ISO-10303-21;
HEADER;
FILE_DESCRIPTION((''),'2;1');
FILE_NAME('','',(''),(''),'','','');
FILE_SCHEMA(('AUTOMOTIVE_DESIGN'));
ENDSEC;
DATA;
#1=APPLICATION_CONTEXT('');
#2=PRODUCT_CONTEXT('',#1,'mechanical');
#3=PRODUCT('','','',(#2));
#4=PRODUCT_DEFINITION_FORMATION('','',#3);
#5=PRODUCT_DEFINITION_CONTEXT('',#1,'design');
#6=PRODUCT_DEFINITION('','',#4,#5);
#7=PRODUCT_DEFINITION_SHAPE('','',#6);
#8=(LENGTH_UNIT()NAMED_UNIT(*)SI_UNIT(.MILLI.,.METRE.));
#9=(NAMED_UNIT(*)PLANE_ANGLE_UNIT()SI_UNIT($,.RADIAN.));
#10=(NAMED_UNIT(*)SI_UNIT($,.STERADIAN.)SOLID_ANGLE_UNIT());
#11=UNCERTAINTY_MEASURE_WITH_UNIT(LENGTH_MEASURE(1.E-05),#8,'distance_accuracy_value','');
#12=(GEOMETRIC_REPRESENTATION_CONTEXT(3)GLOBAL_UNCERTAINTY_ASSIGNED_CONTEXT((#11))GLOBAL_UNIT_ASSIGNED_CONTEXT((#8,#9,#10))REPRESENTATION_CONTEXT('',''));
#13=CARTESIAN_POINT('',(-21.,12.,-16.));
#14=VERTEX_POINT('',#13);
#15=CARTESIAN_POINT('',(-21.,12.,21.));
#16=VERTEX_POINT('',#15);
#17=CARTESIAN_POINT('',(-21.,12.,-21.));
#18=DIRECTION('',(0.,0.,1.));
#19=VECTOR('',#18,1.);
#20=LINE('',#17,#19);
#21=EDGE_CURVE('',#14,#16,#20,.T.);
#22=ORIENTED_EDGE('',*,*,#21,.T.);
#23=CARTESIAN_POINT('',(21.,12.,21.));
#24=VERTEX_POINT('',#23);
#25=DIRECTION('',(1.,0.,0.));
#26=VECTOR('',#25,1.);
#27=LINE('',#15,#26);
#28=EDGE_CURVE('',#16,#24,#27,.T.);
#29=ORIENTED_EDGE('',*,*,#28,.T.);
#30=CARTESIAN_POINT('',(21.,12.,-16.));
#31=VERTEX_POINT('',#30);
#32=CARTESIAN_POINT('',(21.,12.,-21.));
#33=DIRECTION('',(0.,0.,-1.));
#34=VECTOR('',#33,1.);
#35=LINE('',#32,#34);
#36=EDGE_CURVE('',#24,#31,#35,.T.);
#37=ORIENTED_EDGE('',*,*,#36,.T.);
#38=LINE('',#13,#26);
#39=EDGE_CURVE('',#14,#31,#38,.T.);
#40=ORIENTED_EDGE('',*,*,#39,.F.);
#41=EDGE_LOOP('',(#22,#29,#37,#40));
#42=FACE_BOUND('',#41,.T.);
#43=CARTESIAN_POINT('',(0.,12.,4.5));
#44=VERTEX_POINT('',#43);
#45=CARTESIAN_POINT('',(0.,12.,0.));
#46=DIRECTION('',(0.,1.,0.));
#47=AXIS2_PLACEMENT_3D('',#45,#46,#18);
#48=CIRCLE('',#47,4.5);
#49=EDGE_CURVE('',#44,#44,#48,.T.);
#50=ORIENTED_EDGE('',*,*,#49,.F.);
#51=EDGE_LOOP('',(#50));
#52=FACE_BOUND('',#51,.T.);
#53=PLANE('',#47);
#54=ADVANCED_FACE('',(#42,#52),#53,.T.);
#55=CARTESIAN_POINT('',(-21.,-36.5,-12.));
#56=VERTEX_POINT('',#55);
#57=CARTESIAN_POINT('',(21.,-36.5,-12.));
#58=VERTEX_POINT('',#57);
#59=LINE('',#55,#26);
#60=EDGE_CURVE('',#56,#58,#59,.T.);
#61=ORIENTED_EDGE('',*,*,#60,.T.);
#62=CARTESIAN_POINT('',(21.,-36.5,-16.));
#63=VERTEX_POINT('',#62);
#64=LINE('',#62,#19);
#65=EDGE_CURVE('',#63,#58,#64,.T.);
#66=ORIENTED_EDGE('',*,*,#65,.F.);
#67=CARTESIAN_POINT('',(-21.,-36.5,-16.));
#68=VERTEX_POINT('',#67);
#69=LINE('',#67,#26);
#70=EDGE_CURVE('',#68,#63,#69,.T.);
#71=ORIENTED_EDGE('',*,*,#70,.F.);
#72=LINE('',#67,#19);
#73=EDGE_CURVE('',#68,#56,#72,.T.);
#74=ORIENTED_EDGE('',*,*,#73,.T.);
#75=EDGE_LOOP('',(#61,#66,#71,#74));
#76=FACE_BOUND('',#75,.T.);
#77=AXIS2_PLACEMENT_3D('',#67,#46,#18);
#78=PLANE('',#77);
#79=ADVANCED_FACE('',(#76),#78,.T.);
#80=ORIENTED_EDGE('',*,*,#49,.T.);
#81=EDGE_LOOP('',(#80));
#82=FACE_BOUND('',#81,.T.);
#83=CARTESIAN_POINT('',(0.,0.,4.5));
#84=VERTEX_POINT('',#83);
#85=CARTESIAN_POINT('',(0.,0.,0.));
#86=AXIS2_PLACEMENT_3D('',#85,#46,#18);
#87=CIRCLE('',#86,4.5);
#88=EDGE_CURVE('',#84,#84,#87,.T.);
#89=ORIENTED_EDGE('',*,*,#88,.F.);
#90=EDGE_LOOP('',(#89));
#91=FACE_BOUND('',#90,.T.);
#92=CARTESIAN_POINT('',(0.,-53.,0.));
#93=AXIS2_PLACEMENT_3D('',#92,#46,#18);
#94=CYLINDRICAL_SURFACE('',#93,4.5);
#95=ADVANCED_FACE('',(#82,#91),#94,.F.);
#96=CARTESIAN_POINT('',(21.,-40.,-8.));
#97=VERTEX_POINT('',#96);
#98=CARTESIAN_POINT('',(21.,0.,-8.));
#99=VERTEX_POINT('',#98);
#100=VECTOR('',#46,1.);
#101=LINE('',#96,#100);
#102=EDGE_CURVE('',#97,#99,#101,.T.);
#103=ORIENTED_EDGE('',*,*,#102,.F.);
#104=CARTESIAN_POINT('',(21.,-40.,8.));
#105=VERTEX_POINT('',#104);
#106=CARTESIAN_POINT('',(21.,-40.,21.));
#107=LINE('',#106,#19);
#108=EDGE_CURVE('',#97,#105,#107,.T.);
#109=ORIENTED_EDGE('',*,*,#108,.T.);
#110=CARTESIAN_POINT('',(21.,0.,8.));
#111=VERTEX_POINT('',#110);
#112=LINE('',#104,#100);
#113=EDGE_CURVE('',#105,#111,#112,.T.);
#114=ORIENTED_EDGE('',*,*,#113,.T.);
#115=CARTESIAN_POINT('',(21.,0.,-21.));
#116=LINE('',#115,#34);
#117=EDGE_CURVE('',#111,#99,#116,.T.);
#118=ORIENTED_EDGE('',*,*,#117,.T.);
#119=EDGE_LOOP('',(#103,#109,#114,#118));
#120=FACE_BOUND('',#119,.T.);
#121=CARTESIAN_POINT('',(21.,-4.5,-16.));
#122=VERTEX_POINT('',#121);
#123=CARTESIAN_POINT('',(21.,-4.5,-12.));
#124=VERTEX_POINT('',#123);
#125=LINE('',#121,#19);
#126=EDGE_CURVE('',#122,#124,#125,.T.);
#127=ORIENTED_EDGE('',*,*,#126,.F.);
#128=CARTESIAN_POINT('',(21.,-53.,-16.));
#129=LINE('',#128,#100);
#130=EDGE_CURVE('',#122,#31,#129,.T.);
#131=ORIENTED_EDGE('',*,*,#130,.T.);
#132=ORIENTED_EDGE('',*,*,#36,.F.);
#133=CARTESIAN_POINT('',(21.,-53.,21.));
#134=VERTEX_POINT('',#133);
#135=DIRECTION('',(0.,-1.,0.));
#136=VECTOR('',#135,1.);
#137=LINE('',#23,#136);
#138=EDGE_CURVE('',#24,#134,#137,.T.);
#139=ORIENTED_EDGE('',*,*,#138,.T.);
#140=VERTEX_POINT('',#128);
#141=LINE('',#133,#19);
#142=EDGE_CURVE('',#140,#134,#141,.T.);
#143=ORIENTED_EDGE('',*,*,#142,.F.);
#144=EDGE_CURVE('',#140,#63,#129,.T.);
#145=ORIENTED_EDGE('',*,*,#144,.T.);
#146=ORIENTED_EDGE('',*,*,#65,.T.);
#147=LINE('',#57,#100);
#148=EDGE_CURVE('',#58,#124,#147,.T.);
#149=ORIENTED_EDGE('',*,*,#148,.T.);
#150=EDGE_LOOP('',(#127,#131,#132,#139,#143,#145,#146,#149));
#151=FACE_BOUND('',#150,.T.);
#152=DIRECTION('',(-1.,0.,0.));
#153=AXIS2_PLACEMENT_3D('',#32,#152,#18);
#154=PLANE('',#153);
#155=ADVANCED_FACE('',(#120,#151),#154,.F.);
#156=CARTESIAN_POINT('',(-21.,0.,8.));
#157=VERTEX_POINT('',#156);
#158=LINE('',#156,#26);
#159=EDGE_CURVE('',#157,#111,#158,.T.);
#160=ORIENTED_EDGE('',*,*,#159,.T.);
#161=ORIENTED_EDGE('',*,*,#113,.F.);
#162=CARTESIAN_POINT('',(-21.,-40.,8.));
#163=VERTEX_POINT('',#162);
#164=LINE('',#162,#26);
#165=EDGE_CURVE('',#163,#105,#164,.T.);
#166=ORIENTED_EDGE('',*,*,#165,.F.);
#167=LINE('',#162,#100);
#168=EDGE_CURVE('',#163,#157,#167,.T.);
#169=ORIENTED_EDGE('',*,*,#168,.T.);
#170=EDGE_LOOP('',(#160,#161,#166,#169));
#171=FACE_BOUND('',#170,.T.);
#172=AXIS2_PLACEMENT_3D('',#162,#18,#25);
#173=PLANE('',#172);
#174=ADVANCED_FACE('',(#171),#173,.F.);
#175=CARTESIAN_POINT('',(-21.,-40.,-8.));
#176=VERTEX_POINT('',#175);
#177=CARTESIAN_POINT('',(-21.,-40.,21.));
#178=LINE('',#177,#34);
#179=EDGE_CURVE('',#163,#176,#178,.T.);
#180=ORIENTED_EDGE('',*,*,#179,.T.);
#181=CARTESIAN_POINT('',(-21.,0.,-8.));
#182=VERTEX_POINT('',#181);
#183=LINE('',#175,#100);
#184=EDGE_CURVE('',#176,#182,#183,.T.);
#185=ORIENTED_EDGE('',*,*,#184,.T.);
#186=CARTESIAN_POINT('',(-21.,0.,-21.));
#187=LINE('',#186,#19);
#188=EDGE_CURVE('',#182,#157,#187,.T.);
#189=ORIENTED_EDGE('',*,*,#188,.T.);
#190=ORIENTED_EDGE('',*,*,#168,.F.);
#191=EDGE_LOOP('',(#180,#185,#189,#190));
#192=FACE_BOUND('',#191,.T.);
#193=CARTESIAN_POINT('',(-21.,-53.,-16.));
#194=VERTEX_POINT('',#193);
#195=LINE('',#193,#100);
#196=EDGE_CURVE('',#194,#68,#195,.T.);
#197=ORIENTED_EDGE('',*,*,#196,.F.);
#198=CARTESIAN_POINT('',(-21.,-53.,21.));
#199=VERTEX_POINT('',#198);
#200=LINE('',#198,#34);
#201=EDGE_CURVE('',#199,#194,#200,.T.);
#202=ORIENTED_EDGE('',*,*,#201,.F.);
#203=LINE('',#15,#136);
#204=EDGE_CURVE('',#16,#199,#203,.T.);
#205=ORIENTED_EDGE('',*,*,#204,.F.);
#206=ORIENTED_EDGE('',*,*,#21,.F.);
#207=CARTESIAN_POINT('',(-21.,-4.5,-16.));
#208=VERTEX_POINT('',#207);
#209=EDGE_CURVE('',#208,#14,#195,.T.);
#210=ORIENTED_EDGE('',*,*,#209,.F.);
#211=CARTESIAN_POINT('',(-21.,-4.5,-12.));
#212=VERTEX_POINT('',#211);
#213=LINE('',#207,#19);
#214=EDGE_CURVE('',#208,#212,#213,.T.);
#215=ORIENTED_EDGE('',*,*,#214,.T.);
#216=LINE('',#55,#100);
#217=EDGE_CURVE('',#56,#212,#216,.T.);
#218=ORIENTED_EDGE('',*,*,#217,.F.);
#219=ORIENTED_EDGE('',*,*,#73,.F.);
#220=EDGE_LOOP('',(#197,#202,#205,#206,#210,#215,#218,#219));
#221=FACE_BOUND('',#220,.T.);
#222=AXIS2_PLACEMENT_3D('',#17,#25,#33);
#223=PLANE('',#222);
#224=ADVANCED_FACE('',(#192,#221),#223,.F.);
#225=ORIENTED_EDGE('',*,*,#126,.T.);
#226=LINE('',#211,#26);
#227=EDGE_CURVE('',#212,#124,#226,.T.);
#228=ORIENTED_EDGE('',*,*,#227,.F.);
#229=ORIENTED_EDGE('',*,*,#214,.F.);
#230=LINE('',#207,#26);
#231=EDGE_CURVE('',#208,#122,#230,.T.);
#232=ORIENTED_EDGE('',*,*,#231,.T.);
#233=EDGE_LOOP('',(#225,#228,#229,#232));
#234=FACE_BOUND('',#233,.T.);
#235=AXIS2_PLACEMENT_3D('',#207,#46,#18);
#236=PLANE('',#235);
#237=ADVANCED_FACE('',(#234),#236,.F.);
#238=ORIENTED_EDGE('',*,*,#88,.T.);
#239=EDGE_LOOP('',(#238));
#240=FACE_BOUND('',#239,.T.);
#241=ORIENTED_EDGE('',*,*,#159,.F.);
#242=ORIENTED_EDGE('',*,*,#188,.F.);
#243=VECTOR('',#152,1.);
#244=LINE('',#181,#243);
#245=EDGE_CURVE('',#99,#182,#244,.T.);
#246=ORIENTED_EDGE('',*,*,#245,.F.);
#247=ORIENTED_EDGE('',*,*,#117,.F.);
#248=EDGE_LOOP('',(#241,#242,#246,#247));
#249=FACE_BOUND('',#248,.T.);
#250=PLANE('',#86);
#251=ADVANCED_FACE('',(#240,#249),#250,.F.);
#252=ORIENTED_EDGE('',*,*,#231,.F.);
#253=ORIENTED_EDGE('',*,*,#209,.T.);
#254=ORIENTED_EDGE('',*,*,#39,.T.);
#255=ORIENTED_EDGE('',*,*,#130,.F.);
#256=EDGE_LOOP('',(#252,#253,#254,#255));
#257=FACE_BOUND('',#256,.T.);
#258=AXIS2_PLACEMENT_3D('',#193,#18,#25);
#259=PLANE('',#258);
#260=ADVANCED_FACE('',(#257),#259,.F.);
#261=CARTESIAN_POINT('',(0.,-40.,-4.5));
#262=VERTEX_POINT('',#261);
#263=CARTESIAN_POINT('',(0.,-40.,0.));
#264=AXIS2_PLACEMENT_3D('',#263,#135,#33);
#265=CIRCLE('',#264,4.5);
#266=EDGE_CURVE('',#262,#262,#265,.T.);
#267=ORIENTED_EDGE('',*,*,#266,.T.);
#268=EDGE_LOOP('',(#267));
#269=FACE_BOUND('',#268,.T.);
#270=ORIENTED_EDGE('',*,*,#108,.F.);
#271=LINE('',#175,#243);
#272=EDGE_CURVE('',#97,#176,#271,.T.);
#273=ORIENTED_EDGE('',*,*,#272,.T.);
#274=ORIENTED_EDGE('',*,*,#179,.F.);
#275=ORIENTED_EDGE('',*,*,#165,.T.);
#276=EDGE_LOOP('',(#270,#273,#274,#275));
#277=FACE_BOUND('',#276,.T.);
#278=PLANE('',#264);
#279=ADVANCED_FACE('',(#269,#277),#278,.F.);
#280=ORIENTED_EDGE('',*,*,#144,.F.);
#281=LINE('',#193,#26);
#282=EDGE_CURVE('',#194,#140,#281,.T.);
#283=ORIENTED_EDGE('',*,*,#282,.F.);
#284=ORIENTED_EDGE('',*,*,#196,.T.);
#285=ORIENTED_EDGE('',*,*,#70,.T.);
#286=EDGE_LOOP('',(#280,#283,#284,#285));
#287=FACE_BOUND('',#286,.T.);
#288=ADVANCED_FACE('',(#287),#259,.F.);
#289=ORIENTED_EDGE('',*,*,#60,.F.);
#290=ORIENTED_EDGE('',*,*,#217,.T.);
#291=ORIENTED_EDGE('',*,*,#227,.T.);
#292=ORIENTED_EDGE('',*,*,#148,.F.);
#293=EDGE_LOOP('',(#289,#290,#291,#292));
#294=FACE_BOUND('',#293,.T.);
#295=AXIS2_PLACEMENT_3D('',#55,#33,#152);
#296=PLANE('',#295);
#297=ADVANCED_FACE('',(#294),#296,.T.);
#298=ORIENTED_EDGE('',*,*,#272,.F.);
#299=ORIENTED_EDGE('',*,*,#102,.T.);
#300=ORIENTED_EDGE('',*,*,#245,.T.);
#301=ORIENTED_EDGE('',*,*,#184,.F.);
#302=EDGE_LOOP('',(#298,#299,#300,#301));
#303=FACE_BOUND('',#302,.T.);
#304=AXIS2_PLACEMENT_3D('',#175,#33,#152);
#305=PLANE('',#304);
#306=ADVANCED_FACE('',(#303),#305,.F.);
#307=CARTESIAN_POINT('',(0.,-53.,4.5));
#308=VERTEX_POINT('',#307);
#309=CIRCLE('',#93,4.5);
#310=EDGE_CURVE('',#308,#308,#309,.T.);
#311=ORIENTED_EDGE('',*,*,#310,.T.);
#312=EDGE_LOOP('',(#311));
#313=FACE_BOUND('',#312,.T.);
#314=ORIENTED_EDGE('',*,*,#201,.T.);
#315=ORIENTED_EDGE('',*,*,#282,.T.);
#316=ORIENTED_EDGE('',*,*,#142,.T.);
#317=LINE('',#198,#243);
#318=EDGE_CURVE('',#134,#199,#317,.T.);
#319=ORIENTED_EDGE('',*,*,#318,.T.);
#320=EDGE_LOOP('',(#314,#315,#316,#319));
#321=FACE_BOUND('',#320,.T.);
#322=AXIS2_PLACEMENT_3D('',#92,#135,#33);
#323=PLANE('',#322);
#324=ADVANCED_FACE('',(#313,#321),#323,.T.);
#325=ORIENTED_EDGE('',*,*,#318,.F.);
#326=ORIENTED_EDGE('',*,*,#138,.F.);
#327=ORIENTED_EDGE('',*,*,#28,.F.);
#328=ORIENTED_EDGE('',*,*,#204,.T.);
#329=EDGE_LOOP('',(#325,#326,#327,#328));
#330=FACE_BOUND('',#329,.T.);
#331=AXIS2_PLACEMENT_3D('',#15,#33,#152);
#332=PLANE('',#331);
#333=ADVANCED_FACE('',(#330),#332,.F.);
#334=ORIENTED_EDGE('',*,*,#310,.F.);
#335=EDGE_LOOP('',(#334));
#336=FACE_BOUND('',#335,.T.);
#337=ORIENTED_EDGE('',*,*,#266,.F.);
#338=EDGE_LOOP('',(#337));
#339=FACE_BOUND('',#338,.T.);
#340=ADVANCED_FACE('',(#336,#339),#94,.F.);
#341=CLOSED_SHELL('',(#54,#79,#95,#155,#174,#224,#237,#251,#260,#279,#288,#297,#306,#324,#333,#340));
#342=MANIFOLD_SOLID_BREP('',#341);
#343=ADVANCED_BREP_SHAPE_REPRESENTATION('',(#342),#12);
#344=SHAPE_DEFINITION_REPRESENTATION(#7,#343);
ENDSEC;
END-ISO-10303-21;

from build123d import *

# Parameters (mm, degrees)
ESQUISSE1_W             = 42
ESQUISSE1_H             = 42
BOSS_EXTRU_6_DEPTH      = 12
ESQUISSE9_W             = 42
ESQUISSE9_H             = 13
BOSS_EXTRU_7_DEPTH      = 40
ESQUISSE10_W            = 42
ESQUISSE10_H            = 42
BOSS_EXTRU_8_DEPTH      = 13
ESQUISSE12_R            = 4.5
ENL_V_MAT_EXTRU_3_DEPTH = 72.463277283
ESQUISSE13_W            = 42
ESQUISSE13_H            = 5
ENL_V_MAT_EXTRU_4_DEPTH = 72.463277283
ESQUISSE15_W            = 4
ESQUISSE15_H            = 32
ENL_V_MAT_EXTRU_5_DEPTH = 71.809603868


with BuildPart() as part:
    # Esquisse1 → Boss.-Extru.6 (new body)
    with BuildSketch(Plane(origin=(0, 0, 0), x_dir=(1, 0, 0), z_dir=(0, 1, 0))):
        Rectangle(ESQUISSE1_W, ESQUISSE1_H)
    extrude(amount=BOSS_EXTRU_6_DEPTH)

    # Esquisse9 → Boss.-Extru.7 (add)
    with BuildSketch(Plane.XZ):
        with Locations((0, -14.5)):
            Rectangle(ESQUISSE9_W, ESQUISSE9_H)
        with Locations((0, 14.5)):
            Rectangle(ESQUISSE9_W, ESQUISSE9_H)
    extrude(amount=BOSS_EXTRU_7_DEPTH)

    # Esquisse10 → Boss.-Extru.8 (add)
    with BuildSketch(Plane.XZ.offset(40)):
        Rectangle(ESQUISSE10_W, ESQUISSE10_H)
    extrude(amount=BOSS_EXTRU_8_DEPTH)

    # Esquisse12 → Enlèv. mat.-Extru.3 (cut, through all)
    with BuildSketch(Plane(origin=(0, 12, 0), x_dir=(1, 0, 0), z_dir=(0, 1, 0))):
        with Locations(Location((0, 0, 0), (0, 0, 270))):
            Circle(ESQUISSE12_R)
    extrude(amount=-ENL_V_MAT_EXTRU_3_DEPTH, mode=Mode.SUBTRACT)

    # Esquisse13 → Enlèv. mat.-Extru.4 (cut, through all)
    with BuildSketch(Plane(origin=(0, 12, 0), x_dir=(1, 0, 0), z_dir=(0, 1, 0))):
        with Locations((0, 18.5)):
            Rectangle(ESQUISSE13_W, ESQUISSE13_H)
    extrude(amount=-ENL_V_MAT_EXTRU_4_DEPTH, mode=Mode.SUBTRACT)

    # Esquisse15 → Enlèv. mat.-Extru.5 (cut, through all)
    with BuildSketch(Plane(origin=(21, 0, 0), x_dir=(0, 0, -1), z_dir=(1, 0, 0))):
        with Locations((14, -20.5)):
            Rectangle(ESQUISSE15_W, ESQUISSE15_H)
    extrude(amount=-ENL_V_MAT_EXTRU_5_DEPTH, mode=Mode.SUBTRACT)


solid = part.part
